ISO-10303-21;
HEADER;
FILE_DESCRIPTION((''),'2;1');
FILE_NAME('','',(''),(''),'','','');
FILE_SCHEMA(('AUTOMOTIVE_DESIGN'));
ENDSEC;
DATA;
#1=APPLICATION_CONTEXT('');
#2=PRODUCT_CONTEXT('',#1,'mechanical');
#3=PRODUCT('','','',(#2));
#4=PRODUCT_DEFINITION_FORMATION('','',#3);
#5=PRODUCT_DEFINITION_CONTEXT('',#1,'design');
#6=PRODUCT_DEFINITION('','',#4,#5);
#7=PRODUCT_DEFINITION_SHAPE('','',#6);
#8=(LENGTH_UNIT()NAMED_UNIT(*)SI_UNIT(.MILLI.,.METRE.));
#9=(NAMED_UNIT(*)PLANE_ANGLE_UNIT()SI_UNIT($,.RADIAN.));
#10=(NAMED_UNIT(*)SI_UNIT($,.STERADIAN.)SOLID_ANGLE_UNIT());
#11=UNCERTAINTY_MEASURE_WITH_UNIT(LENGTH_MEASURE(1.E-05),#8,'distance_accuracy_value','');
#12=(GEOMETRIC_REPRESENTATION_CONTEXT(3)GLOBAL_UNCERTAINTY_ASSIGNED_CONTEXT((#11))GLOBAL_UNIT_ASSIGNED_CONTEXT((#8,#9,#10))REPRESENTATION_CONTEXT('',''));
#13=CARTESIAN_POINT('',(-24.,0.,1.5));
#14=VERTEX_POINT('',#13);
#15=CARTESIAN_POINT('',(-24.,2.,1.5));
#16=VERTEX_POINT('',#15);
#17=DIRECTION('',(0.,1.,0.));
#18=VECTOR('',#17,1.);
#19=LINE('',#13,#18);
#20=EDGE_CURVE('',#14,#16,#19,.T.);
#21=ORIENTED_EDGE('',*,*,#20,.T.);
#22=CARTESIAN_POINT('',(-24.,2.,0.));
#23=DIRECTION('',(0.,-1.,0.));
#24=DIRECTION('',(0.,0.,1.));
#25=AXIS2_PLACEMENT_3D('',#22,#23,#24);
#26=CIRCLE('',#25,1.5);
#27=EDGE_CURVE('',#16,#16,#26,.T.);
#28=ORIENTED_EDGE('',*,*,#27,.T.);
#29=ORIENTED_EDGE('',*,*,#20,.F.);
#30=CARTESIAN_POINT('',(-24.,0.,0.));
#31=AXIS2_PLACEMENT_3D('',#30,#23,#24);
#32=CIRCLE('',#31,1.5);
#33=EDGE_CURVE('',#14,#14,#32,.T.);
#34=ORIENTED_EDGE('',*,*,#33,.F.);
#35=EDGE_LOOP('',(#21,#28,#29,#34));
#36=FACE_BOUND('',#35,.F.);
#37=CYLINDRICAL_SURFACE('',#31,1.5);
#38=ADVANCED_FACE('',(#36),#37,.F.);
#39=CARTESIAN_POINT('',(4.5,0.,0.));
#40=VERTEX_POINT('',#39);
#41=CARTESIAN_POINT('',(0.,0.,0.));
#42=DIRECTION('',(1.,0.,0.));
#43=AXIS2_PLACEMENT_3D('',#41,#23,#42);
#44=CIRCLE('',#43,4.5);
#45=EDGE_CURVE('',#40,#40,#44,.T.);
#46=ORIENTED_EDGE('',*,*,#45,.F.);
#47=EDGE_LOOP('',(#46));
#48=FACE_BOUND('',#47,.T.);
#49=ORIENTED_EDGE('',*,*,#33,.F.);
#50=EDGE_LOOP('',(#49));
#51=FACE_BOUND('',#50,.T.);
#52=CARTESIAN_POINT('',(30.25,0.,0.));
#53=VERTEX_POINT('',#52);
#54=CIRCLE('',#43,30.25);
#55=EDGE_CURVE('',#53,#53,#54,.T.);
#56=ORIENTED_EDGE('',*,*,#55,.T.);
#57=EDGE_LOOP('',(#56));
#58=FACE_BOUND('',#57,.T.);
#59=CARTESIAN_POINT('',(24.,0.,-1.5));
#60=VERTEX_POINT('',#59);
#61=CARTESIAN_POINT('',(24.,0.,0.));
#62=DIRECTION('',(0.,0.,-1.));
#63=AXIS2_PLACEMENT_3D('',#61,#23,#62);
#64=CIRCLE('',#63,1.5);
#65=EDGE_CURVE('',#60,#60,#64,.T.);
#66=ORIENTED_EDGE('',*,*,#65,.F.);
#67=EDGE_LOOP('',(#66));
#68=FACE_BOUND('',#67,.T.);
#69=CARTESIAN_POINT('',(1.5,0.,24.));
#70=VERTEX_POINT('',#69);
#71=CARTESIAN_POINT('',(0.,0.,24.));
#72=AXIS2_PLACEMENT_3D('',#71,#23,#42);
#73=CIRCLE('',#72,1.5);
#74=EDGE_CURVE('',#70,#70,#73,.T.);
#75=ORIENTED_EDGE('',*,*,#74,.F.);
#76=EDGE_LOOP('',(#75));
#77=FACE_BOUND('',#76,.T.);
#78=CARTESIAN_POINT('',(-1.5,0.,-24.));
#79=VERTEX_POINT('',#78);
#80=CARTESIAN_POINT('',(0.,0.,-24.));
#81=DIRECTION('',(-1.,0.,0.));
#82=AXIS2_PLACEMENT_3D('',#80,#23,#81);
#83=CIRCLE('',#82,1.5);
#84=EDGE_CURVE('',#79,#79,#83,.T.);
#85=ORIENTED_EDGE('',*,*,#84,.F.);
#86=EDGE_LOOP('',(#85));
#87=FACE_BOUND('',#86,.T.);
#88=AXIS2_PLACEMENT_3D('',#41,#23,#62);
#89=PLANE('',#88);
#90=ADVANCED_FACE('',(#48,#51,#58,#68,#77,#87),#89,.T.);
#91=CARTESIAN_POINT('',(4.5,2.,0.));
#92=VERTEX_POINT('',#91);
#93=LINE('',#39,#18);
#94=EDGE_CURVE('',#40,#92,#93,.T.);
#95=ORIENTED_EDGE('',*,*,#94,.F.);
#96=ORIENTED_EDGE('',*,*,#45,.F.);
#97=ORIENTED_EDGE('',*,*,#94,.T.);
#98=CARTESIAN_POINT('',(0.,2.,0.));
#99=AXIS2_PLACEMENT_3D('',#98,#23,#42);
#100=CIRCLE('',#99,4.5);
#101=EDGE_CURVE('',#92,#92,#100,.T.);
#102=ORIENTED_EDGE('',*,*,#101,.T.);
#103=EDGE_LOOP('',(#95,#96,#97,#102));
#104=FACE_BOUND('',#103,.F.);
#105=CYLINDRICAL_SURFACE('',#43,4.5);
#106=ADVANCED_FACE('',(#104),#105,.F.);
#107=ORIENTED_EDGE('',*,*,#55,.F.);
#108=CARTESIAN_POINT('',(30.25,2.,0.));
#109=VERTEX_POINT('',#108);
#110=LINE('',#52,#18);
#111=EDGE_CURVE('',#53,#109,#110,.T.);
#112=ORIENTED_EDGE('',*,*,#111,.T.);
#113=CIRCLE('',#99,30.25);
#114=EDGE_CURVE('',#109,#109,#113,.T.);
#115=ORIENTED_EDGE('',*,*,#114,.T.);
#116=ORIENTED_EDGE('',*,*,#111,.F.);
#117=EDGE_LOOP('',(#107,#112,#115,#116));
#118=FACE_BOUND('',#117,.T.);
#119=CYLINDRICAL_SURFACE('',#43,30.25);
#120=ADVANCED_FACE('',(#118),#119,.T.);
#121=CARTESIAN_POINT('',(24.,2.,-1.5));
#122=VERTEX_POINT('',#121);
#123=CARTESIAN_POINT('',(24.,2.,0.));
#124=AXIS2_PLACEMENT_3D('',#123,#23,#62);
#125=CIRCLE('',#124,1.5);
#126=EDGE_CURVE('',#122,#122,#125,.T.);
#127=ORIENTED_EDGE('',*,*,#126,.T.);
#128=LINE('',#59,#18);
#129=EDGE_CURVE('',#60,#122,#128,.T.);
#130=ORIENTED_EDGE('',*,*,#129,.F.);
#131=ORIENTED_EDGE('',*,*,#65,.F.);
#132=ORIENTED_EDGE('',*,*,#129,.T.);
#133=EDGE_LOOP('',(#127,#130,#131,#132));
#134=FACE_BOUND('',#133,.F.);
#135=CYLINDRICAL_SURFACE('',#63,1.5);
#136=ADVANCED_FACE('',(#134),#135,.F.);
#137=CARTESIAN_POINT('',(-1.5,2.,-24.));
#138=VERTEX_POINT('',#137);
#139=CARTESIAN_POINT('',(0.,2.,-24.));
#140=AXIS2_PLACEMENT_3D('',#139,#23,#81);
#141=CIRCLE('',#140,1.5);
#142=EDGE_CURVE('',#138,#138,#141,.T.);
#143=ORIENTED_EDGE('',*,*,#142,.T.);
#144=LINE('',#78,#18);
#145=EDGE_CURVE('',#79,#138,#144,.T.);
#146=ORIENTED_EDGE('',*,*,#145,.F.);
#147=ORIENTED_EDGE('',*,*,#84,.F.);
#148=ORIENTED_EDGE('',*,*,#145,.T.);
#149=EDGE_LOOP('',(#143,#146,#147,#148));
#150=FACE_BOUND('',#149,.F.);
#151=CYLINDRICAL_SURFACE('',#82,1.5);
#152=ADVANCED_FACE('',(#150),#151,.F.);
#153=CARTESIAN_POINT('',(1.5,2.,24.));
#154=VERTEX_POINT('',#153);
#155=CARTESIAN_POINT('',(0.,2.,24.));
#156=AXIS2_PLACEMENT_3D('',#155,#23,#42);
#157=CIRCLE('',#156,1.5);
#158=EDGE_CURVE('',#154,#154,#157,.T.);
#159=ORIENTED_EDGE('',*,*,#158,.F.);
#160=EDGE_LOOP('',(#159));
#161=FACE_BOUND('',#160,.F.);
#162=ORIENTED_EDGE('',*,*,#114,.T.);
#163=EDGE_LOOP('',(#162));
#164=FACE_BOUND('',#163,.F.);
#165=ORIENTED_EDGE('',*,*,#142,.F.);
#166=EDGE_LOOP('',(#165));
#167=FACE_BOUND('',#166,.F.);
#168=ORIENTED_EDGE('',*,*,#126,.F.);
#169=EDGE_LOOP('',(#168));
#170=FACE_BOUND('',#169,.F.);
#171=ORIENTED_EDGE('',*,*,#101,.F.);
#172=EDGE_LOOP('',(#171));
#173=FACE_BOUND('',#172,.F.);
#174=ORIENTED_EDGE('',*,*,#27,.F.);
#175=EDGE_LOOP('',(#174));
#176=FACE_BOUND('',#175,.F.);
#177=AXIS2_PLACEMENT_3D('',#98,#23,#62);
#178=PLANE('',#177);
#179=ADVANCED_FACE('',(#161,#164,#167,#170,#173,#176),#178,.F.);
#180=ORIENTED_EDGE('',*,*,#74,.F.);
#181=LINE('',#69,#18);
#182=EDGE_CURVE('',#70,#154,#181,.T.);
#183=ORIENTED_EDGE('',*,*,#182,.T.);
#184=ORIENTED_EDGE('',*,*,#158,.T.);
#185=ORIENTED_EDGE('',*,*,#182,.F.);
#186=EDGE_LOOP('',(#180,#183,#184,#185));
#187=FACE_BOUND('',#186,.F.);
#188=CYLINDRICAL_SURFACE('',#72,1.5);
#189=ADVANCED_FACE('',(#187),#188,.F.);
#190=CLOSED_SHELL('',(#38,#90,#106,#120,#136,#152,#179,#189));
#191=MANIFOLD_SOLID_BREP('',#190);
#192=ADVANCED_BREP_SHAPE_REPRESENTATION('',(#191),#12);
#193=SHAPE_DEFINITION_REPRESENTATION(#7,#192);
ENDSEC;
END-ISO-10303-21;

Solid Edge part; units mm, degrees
sketch "Sketch1" plane through (0, 0, 0) normal (0, -1, 0) x (1, 0, 0)
  circle A0 centre (0, 0) radius 30.25
extrude "Protrusion1" add sketch "Sketch1" against normal blind 2
sketch "Sketch2" plane through (0, 0, 0) normal (0, -1, 0) x (1, 0, 0)
  circle A0 centre (0, 0) radius 4.5
extrude "Cutout1" cut sketch "Sketch2" against normal through all
sketch "Sketch3" plane through (0, 0, 0) normal (0, -1, 0) x (1, 0, 0)
  circle A0 centre (0, 24) radius 1.5
extrude "Cutout2" cut sketch "Sketch3" against normal through all
pattern_circular "Pattern1" count 4 over 360 about axis through (0, 0, 0) along (0, 1, 0) of "Cutout2"
